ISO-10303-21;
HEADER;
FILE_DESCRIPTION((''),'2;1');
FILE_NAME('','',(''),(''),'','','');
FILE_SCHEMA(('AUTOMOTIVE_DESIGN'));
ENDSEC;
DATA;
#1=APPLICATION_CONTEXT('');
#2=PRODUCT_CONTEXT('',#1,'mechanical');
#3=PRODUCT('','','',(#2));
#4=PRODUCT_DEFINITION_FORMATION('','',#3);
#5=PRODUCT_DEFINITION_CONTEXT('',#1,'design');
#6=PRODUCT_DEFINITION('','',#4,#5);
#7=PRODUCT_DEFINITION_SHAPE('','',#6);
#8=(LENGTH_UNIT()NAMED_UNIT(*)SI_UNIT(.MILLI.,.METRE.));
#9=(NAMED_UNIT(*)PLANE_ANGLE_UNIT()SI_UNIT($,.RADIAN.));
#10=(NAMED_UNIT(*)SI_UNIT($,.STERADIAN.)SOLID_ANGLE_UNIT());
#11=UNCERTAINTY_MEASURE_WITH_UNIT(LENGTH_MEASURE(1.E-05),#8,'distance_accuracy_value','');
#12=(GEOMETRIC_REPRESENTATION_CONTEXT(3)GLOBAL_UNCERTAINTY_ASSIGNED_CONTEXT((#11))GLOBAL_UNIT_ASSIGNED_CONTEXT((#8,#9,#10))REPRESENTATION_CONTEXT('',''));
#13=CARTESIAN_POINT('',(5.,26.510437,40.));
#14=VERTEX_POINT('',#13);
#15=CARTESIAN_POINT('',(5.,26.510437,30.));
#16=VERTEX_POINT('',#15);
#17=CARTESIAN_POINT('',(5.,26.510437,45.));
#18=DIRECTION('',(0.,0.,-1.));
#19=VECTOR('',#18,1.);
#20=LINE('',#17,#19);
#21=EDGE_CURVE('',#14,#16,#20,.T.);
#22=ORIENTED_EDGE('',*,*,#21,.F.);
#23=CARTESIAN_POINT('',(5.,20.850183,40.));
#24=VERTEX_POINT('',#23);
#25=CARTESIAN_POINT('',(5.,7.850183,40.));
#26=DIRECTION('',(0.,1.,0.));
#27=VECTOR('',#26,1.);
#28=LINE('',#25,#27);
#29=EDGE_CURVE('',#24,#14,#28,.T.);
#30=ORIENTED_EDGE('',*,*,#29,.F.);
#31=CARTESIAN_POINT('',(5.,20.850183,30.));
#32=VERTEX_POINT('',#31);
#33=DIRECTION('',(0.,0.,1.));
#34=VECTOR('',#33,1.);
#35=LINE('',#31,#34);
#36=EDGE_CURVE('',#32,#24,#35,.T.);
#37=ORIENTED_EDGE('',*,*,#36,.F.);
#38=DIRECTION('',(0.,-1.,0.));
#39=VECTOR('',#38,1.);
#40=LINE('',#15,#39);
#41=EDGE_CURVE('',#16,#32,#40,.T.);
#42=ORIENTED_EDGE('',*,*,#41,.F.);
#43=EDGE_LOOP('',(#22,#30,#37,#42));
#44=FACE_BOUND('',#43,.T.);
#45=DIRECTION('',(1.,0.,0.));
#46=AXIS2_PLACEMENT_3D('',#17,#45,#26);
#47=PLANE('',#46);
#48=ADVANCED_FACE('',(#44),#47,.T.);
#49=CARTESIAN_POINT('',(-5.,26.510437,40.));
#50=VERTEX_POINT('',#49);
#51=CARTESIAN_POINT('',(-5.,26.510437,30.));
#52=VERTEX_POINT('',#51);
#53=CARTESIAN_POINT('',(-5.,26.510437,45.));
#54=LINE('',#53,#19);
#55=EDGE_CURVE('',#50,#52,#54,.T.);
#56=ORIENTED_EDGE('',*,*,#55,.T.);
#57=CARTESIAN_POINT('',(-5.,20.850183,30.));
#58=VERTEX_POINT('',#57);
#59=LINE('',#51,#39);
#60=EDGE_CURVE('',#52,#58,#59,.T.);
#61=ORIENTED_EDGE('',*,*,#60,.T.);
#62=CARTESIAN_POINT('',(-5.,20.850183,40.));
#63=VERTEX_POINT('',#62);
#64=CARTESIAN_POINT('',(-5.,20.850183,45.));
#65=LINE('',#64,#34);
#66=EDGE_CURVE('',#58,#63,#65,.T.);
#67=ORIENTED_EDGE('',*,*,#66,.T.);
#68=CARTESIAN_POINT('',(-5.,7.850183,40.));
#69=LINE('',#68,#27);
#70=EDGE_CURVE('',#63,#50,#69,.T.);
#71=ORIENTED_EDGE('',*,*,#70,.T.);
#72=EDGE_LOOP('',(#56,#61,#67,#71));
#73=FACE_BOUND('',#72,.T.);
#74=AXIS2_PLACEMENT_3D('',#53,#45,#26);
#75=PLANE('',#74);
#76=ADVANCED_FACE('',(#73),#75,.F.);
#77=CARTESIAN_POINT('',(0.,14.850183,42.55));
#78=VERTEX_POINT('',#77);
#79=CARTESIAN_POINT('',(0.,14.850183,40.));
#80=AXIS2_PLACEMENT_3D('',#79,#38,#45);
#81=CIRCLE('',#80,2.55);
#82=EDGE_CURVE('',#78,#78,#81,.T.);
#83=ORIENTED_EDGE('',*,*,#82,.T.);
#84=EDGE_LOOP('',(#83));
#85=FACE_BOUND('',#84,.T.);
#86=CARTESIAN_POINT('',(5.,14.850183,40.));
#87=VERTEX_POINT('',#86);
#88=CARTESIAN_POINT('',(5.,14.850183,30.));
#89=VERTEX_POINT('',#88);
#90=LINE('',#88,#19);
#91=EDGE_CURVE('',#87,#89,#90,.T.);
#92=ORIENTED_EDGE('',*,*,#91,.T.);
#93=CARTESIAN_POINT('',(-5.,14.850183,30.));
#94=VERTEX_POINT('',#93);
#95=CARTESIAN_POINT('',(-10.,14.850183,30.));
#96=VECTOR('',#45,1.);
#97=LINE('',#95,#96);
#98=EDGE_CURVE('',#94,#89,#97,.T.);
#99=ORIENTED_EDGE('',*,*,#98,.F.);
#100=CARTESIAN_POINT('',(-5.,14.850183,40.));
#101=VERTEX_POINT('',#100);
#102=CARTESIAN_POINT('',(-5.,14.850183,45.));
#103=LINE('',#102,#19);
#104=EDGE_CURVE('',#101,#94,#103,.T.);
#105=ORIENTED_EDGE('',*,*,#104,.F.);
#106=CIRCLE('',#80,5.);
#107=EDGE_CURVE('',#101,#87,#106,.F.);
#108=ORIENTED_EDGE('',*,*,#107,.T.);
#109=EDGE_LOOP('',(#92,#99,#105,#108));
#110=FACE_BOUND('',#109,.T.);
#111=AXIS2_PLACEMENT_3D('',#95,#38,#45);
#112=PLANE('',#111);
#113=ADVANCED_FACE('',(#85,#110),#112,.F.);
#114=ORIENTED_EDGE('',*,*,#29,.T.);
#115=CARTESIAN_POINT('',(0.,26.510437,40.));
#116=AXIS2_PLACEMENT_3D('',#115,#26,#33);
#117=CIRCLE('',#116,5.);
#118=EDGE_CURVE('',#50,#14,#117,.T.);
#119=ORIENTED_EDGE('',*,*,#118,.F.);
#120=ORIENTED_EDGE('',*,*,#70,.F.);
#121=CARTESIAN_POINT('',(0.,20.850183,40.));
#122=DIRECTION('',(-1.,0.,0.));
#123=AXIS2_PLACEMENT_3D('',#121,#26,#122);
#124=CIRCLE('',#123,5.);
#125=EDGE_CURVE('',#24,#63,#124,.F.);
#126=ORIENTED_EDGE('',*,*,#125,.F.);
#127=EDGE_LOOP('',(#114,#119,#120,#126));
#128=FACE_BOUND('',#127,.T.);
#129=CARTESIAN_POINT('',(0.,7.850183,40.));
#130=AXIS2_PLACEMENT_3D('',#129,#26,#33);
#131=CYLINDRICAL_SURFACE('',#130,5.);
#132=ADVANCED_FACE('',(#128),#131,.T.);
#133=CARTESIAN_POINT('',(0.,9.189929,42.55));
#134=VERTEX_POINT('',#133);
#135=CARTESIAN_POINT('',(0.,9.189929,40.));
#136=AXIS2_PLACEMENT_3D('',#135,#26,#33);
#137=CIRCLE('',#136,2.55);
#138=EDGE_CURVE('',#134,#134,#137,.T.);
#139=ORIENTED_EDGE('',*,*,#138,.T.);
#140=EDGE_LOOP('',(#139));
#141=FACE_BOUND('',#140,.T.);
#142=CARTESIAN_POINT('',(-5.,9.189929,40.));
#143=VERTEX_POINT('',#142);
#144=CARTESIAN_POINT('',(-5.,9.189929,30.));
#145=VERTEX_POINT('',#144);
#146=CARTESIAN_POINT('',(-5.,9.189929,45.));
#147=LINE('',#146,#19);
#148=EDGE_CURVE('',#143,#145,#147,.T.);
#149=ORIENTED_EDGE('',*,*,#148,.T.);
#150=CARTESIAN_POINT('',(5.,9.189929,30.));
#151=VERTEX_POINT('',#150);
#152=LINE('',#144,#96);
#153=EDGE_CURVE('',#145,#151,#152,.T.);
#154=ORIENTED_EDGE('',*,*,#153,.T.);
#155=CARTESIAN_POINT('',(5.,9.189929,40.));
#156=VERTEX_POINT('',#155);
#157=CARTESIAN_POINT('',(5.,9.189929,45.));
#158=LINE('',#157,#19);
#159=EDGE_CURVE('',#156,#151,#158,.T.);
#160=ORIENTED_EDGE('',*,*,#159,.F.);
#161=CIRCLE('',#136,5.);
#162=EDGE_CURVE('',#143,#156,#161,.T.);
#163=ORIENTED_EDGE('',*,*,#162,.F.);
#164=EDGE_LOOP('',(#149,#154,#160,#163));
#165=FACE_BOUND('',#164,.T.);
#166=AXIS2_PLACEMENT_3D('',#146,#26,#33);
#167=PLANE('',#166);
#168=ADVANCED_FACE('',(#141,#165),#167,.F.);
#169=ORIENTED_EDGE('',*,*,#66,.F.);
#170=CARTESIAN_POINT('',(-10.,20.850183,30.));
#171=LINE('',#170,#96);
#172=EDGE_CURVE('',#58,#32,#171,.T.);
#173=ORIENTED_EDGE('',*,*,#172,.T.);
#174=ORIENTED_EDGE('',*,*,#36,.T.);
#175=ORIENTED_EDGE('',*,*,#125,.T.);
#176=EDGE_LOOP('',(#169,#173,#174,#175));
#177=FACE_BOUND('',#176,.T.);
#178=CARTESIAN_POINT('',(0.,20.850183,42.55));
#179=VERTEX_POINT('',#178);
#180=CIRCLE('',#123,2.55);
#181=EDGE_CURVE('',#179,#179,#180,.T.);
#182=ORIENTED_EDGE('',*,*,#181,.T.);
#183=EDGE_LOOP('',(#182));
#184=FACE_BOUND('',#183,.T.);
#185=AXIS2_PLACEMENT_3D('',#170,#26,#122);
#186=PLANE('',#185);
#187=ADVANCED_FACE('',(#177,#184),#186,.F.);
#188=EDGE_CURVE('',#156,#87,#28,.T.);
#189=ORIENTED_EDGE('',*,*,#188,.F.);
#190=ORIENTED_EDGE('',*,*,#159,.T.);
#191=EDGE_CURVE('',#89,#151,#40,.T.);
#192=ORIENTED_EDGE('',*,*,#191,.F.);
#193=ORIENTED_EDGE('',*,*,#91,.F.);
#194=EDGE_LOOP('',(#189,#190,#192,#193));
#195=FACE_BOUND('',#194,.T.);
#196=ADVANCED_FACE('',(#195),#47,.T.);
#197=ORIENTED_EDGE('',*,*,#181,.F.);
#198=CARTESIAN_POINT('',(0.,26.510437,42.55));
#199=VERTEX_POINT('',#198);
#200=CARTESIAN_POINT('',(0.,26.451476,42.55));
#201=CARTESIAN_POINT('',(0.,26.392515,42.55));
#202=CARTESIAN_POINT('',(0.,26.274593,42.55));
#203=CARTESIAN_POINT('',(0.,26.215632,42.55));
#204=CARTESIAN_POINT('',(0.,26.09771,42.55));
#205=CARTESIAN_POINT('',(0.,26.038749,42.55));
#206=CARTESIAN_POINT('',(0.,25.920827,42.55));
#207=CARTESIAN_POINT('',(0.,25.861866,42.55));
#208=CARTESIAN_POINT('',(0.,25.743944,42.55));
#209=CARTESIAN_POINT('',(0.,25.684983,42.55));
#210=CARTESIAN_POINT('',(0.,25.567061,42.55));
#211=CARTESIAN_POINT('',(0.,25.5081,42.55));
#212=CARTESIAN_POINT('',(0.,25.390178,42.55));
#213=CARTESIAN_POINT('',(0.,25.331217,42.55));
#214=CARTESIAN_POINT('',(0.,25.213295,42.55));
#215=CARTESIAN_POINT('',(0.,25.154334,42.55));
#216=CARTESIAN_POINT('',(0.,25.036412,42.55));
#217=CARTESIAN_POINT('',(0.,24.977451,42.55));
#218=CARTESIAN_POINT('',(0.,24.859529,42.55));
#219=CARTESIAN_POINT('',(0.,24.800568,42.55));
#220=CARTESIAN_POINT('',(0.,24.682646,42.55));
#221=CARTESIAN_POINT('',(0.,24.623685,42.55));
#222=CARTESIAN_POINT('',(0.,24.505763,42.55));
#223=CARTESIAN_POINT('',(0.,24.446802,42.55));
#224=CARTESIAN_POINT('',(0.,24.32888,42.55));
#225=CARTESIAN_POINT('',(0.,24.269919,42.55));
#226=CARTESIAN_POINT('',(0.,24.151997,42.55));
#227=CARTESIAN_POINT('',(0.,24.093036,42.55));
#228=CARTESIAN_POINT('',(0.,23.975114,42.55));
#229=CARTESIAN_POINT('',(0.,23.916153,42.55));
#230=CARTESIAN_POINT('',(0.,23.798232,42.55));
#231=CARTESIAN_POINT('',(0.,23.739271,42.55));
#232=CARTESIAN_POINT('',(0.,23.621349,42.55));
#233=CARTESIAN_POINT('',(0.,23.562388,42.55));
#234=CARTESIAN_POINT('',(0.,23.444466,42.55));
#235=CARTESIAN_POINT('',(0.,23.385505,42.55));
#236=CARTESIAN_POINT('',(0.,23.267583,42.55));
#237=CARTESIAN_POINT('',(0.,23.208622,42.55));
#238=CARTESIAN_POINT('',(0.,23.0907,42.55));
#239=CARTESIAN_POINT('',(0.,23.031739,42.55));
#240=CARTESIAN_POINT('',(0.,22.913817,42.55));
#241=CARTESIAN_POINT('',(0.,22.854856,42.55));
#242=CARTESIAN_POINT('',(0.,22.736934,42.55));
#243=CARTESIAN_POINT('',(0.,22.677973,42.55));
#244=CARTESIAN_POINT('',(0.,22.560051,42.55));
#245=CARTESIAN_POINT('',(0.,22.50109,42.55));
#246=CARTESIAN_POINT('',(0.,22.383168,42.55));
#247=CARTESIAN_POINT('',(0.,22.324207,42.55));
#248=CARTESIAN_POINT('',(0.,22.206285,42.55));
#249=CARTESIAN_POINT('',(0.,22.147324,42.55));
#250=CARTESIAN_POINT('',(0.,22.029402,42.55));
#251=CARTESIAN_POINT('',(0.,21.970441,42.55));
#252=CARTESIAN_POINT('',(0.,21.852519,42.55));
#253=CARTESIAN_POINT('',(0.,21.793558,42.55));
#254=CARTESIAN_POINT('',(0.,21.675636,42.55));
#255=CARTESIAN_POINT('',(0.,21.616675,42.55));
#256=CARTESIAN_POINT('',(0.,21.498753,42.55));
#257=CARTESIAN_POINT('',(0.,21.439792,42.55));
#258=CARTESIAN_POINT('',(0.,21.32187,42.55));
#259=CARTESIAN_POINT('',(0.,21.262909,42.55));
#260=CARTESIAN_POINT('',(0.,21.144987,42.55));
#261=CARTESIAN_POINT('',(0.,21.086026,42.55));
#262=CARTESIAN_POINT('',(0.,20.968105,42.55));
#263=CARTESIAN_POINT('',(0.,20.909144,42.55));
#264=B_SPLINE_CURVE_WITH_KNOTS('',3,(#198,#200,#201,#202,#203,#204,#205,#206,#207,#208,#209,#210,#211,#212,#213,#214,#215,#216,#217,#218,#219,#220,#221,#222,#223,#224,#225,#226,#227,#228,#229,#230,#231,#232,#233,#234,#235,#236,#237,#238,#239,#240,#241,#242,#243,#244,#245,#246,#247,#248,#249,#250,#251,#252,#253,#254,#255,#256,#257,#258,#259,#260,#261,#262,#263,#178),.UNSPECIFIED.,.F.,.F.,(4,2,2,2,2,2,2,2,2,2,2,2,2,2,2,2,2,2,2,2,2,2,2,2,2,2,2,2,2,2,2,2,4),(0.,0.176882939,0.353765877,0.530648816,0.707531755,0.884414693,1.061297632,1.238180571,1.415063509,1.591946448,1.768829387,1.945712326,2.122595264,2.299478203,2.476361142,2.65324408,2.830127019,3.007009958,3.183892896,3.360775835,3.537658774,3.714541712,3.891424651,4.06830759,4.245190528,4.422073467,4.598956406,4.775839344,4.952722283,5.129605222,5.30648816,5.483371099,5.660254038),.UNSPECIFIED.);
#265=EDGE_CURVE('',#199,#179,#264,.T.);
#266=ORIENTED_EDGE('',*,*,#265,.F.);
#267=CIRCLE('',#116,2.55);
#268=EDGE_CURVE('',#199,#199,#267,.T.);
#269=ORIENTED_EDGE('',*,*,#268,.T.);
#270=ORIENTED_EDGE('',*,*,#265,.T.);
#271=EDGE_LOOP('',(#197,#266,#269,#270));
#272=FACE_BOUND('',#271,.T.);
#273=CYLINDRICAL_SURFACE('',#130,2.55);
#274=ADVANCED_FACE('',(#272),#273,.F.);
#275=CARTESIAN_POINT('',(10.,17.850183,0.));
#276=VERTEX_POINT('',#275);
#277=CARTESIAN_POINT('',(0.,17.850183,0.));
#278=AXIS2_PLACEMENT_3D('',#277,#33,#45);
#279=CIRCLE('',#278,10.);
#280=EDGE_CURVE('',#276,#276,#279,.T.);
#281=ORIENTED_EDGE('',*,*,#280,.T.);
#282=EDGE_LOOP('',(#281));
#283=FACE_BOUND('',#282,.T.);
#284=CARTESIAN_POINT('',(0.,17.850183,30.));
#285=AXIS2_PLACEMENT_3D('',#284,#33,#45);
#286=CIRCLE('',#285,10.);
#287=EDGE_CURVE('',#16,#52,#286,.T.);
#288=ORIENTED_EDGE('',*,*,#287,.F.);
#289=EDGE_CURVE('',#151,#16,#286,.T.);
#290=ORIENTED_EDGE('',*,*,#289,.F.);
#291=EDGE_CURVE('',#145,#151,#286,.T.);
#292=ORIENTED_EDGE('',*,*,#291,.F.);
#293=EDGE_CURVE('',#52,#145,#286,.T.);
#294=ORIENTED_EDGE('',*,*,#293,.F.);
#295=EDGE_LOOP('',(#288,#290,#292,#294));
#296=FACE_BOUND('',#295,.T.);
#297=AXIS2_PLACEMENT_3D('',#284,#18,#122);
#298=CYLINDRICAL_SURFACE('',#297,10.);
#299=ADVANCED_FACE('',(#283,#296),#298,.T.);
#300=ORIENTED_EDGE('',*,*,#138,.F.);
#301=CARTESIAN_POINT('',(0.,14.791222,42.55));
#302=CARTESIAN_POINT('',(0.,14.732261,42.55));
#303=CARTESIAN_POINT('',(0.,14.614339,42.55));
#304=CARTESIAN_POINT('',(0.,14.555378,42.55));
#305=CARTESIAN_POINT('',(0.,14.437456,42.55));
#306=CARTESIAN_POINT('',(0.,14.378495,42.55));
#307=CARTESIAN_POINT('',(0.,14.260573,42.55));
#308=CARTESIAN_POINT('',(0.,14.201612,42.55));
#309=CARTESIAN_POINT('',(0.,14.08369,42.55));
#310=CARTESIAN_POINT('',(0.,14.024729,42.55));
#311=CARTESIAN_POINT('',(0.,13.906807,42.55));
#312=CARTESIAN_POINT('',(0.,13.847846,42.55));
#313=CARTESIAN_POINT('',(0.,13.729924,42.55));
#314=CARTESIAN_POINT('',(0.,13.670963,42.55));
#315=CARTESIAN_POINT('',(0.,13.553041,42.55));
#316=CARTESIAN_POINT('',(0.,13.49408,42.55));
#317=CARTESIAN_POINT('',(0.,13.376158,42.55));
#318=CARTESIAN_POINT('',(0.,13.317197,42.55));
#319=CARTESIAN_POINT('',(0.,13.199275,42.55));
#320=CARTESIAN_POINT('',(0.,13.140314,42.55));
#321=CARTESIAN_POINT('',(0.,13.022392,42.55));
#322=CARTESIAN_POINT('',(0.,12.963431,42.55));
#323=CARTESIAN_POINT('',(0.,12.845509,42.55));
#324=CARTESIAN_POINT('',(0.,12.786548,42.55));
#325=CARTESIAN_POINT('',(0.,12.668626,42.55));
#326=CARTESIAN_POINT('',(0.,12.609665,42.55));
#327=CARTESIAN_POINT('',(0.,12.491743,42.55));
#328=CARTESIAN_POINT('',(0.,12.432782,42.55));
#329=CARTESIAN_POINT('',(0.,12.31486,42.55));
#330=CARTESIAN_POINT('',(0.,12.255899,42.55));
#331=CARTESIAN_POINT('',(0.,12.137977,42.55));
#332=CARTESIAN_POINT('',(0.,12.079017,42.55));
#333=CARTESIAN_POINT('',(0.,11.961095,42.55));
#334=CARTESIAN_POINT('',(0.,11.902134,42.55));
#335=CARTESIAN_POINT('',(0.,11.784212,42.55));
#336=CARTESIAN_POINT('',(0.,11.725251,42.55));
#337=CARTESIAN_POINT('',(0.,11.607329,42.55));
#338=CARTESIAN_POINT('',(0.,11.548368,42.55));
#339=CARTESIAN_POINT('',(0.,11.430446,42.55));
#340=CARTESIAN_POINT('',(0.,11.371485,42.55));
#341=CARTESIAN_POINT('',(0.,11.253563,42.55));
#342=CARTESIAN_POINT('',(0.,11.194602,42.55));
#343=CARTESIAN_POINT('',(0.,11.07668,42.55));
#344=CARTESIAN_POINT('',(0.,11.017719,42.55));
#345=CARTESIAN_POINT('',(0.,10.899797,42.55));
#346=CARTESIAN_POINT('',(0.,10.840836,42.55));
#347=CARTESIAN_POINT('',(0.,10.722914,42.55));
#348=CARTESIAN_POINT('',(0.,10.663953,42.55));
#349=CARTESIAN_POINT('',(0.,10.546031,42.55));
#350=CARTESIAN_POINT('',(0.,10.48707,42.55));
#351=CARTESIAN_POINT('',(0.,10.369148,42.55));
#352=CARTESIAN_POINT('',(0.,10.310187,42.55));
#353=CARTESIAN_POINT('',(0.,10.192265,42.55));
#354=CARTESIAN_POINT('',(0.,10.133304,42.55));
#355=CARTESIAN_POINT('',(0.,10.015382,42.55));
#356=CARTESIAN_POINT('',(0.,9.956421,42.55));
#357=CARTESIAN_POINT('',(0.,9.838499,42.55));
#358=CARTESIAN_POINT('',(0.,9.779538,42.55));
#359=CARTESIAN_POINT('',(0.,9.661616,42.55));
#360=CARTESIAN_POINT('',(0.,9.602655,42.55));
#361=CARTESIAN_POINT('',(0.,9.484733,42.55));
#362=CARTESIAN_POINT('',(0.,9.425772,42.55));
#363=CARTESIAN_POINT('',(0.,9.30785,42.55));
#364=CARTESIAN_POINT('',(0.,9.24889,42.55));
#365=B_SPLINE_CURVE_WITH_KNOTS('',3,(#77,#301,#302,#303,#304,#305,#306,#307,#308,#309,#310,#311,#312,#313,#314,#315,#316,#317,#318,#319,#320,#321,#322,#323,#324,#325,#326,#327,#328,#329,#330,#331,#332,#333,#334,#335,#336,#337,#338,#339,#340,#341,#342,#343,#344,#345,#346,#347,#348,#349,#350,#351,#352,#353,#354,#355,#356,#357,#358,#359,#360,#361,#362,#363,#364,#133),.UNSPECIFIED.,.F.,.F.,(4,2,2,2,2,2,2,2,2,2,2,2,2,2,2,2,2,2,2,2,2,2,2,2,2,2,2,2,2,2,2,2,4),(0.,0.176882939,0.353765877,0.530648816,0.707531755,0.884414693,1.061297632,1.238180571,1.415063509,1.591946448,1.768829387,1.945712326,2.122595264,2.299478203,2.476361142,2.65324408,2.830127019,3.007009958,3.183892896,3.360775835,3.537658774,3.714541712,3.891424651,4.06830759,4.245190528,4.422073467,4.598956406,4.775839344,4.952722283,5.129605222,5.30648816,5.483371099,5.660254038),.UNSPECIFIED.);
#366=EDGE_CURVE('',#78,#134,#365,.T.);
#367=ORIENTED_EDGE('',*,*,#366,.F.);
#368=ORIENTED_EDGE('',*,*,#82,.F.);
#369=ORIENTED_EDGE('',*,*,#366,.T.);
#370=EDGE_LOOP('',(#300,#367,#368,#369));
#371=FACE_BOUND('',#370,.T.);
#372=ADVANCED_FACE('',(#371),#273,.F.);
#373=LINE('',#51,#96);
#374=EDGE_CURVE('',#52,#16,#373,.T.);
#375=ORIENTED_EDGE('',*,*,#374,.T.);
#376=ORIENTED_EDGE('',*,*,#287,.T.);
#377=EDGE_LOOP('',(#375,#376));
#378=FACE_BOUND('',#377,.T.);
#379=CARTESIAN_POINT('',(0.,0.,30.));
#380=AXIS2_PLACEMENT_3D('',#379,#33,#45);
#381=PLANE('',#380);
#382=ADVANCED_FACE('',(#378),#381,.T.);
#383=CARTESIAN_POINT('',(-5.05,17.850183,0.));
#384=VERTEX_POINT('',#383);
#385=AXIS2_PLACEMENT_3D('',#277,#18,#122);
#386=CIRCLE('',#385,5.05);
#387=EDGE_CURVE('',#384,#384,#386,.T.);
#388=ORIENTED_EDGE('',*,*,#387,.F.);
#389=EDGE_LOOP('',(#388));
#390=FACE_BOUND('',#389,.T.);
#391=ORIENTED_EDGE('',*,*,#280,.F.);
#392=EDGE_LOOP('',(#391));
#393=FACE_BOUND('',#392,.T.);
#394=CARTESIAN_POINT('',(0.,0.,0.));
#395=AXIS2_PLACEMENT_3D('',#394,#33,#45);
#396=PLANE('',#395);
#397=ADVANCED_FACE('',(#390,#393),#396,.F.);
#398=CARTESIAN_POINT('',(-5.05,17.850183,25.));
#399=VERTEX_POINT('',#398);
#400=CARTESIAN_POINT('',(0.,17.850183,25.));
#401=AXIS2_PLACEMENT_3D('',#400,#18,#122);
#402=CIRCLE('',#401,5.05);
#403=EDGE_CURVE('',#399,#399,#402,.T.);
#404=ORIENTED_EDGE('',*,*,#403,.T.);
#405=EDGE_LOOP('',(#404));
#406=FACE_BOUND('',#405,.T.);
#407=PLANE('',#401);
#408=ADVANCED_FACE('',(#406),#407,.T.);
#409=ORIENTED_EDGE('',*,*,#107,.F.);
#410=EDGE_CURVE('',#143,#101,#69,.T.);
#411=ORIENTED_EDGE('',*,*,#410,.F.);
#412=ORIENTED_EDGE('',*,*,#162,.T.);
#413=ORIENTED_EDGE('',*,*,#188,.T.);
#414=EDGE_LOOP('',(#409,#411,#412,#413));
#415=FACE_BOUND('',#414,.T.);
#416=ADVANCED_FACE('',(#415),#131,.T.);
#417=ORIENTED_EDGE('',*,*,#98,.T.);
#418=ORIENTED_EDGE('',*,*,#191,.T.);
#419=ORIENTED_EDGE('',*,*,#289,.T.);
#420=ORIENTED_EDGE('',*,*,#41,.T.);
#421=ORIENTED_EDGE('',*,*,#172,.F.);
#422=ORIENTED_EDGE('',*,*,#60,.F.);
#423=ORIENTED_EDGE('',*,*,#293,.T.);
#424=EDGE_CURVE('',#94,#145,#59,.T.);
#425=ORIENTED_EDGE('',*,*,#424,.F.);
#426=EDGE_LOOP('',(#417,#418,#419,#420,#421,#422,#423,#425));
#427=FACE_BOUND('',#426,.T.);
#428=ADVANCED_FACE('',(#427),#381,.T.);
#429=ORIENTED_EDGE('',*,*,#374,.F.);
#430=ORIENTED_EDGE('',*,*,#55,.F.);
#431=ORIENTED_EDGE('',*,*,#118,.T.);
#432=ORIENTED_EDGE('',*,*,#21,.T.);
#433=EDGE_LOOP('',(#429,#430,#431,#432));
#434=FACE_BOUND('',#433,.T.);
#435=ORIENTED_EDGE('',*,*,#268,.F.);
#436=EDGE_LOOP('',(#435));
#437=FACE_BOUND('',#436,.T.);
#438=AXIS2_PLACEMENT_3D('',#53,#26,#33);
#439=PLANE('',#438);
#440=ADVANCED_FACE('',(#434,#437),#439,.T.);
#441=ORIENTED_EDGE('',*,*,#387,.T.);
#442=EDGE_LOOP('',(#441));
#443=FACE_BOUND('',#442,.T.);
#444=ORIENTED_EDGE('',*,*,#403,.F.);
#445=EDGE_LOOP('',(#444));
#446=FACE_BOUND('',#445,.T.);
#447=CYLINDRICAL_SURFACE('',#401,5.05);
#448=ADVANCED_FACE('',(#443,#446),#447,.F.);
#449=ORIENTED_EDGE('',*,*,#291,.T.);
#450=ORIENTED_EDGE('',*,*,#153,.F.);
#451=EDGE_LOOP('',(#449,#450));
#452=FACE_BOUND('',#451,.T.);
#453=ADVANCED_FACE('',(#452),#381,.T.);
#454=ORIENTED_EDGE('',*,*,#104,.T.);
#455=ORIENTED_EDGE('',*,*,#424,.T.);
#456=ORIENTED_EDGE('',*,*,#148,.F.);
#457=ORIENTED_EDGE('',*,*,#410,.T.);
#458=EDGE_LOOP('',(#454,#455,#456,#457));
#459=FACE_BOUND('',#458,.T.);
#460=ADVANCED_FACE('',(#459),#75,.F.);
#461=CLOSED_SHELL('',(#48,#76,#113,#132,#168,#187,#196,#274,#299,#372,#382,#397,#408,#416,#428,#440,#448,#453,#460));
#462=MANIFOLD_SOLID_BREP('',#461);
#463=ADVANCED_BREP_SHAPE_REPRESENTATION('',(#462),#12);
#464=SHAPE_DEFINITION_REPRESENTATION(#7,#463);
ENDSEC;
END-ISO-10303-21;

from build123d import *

# Parameters (mm, degrees)
SKETCH_1_R          = 10
EXTRUDE_1_DEPTH     = 30
SKETCH_2_W          = 10
SKETCH_2_H          = 17.320508075
EXTRUDE_3_DEPTH     = 15
CUT_EXTRUDE_1_DEPTH = 50.731328966
CUT_EXTRUDE_2_DEPTH = 50.731328966
CUT_EXTRUDE_3_DEPTH = 15
SKETCH_5_4_R        = 2.55
CUT_EXTRUDE_4_DEPTH = 50.731328966
SKETCH_9_R          = 5.05
CUT_EXTRUDE_5_DEPTH = 25


with BuildPart() as part:
    # Эскиз1 → Бобышка-Вытянуть1 (new body)
    with BuildSketch(Plane.XY):
        with Locations((0, 17.850182559)):
            Circle(SKETCH_1_R)
    extrude(amount=EXTRUDE_1_DEPTH)

    # Эскиз2 → Бобышка-Вытянуть3 (add)
    with BuildSketch(Plane.XY.offset(30)):
        with Locations((0, 17.85018256)):
            Rectangle(SKETCH_2_W, SKETCH_2_H)
    extrude(amount=EXTRUDE_3_DEPTH)

    # Эскиз5 → Вырез-Вытянуть1 (cut, through all)
    with BuildSketch(Plane(origin=(0, 26.510436597, 0), x_dir=(1, 0, 0), z_dir=(0, 1, 0))):
        with BuildLine():
            Line((5, -45), (5, -40))
            ThreePointArc((5, -40), (3.535533906, -43.535533906), (0, -45))
            Line((0, -45), (5, -45))
        make_face()
    extrude(amount=-CUT_EXTRUDE_1_DEPTH, mode=Mode.SUBTRACT)

    # Эскиз5<3> → Вырез-Вытянуть2 (cut, through all)
    with BuildSketch(Plane(origin=(0, 26.510436597, 0), x_dir=(1, 0, 0), z_dir=(0, 1, 0))):
        with BuildLine():
            ThreePointArc((0, -45), (-3.535533906, -43.535533906), (-5, -40))
            Line((-5, -40), (-5, -45))
            Line((-5, -45), (0, -45))
        make_face()
    extrude(amount=-CUT_EXTRUDE_2_DEPTH, mode=Mode.SUBTRACT)

    # Эскиз6 → Вырез-Вытянуть3 (cut)
    with BuildSketch(Plane(origin=(5, 0, 0), x_dir=(0, 0, -1), z_dir=(1, 0, 0))):
        Polygon((-40, 14.850182559), (-47.355991934, 14.850182559), (-47.355991934, 20.850182559), (-40, 20.850182559), (-30, 20.850182559), (-30, 14.850182559), align=None)
    extrude(amount=-CUT_EXTRUDE_3_DEPTH, mode=Mode.SUBTRACT)

    # Эскиз5<4> → Вырез-Вытянуть4 (cut, through all)
    with BuildSketch(Plane(origin=(0, 26.510436597, 0), x_dir=(1, 0, 0), z_dir=(0, 1, 0))):
        with Locations((0, -40)):
            Circle(SKETCH_5_4_R)
    extrude(amount=-CUT_EXTRUDE_4_DEPTH, mode=Mode.SUBTRACT)

    # Эскиз9 → Вырез-Вытянуть5 (cut)
    with BuildSketch(Plane(origin=(0, 0, 0), x_dir=(-1, 0, 0), z_dir=(0, 0, -1))):
        with Locations((0, 17.850182559)):
            Circle(SKETCH_9_R)
    extrude(amount=-CUT_EXTRUDE_5_DEPTH, mode=Mode.SUBTRACT)


solid = part.part
